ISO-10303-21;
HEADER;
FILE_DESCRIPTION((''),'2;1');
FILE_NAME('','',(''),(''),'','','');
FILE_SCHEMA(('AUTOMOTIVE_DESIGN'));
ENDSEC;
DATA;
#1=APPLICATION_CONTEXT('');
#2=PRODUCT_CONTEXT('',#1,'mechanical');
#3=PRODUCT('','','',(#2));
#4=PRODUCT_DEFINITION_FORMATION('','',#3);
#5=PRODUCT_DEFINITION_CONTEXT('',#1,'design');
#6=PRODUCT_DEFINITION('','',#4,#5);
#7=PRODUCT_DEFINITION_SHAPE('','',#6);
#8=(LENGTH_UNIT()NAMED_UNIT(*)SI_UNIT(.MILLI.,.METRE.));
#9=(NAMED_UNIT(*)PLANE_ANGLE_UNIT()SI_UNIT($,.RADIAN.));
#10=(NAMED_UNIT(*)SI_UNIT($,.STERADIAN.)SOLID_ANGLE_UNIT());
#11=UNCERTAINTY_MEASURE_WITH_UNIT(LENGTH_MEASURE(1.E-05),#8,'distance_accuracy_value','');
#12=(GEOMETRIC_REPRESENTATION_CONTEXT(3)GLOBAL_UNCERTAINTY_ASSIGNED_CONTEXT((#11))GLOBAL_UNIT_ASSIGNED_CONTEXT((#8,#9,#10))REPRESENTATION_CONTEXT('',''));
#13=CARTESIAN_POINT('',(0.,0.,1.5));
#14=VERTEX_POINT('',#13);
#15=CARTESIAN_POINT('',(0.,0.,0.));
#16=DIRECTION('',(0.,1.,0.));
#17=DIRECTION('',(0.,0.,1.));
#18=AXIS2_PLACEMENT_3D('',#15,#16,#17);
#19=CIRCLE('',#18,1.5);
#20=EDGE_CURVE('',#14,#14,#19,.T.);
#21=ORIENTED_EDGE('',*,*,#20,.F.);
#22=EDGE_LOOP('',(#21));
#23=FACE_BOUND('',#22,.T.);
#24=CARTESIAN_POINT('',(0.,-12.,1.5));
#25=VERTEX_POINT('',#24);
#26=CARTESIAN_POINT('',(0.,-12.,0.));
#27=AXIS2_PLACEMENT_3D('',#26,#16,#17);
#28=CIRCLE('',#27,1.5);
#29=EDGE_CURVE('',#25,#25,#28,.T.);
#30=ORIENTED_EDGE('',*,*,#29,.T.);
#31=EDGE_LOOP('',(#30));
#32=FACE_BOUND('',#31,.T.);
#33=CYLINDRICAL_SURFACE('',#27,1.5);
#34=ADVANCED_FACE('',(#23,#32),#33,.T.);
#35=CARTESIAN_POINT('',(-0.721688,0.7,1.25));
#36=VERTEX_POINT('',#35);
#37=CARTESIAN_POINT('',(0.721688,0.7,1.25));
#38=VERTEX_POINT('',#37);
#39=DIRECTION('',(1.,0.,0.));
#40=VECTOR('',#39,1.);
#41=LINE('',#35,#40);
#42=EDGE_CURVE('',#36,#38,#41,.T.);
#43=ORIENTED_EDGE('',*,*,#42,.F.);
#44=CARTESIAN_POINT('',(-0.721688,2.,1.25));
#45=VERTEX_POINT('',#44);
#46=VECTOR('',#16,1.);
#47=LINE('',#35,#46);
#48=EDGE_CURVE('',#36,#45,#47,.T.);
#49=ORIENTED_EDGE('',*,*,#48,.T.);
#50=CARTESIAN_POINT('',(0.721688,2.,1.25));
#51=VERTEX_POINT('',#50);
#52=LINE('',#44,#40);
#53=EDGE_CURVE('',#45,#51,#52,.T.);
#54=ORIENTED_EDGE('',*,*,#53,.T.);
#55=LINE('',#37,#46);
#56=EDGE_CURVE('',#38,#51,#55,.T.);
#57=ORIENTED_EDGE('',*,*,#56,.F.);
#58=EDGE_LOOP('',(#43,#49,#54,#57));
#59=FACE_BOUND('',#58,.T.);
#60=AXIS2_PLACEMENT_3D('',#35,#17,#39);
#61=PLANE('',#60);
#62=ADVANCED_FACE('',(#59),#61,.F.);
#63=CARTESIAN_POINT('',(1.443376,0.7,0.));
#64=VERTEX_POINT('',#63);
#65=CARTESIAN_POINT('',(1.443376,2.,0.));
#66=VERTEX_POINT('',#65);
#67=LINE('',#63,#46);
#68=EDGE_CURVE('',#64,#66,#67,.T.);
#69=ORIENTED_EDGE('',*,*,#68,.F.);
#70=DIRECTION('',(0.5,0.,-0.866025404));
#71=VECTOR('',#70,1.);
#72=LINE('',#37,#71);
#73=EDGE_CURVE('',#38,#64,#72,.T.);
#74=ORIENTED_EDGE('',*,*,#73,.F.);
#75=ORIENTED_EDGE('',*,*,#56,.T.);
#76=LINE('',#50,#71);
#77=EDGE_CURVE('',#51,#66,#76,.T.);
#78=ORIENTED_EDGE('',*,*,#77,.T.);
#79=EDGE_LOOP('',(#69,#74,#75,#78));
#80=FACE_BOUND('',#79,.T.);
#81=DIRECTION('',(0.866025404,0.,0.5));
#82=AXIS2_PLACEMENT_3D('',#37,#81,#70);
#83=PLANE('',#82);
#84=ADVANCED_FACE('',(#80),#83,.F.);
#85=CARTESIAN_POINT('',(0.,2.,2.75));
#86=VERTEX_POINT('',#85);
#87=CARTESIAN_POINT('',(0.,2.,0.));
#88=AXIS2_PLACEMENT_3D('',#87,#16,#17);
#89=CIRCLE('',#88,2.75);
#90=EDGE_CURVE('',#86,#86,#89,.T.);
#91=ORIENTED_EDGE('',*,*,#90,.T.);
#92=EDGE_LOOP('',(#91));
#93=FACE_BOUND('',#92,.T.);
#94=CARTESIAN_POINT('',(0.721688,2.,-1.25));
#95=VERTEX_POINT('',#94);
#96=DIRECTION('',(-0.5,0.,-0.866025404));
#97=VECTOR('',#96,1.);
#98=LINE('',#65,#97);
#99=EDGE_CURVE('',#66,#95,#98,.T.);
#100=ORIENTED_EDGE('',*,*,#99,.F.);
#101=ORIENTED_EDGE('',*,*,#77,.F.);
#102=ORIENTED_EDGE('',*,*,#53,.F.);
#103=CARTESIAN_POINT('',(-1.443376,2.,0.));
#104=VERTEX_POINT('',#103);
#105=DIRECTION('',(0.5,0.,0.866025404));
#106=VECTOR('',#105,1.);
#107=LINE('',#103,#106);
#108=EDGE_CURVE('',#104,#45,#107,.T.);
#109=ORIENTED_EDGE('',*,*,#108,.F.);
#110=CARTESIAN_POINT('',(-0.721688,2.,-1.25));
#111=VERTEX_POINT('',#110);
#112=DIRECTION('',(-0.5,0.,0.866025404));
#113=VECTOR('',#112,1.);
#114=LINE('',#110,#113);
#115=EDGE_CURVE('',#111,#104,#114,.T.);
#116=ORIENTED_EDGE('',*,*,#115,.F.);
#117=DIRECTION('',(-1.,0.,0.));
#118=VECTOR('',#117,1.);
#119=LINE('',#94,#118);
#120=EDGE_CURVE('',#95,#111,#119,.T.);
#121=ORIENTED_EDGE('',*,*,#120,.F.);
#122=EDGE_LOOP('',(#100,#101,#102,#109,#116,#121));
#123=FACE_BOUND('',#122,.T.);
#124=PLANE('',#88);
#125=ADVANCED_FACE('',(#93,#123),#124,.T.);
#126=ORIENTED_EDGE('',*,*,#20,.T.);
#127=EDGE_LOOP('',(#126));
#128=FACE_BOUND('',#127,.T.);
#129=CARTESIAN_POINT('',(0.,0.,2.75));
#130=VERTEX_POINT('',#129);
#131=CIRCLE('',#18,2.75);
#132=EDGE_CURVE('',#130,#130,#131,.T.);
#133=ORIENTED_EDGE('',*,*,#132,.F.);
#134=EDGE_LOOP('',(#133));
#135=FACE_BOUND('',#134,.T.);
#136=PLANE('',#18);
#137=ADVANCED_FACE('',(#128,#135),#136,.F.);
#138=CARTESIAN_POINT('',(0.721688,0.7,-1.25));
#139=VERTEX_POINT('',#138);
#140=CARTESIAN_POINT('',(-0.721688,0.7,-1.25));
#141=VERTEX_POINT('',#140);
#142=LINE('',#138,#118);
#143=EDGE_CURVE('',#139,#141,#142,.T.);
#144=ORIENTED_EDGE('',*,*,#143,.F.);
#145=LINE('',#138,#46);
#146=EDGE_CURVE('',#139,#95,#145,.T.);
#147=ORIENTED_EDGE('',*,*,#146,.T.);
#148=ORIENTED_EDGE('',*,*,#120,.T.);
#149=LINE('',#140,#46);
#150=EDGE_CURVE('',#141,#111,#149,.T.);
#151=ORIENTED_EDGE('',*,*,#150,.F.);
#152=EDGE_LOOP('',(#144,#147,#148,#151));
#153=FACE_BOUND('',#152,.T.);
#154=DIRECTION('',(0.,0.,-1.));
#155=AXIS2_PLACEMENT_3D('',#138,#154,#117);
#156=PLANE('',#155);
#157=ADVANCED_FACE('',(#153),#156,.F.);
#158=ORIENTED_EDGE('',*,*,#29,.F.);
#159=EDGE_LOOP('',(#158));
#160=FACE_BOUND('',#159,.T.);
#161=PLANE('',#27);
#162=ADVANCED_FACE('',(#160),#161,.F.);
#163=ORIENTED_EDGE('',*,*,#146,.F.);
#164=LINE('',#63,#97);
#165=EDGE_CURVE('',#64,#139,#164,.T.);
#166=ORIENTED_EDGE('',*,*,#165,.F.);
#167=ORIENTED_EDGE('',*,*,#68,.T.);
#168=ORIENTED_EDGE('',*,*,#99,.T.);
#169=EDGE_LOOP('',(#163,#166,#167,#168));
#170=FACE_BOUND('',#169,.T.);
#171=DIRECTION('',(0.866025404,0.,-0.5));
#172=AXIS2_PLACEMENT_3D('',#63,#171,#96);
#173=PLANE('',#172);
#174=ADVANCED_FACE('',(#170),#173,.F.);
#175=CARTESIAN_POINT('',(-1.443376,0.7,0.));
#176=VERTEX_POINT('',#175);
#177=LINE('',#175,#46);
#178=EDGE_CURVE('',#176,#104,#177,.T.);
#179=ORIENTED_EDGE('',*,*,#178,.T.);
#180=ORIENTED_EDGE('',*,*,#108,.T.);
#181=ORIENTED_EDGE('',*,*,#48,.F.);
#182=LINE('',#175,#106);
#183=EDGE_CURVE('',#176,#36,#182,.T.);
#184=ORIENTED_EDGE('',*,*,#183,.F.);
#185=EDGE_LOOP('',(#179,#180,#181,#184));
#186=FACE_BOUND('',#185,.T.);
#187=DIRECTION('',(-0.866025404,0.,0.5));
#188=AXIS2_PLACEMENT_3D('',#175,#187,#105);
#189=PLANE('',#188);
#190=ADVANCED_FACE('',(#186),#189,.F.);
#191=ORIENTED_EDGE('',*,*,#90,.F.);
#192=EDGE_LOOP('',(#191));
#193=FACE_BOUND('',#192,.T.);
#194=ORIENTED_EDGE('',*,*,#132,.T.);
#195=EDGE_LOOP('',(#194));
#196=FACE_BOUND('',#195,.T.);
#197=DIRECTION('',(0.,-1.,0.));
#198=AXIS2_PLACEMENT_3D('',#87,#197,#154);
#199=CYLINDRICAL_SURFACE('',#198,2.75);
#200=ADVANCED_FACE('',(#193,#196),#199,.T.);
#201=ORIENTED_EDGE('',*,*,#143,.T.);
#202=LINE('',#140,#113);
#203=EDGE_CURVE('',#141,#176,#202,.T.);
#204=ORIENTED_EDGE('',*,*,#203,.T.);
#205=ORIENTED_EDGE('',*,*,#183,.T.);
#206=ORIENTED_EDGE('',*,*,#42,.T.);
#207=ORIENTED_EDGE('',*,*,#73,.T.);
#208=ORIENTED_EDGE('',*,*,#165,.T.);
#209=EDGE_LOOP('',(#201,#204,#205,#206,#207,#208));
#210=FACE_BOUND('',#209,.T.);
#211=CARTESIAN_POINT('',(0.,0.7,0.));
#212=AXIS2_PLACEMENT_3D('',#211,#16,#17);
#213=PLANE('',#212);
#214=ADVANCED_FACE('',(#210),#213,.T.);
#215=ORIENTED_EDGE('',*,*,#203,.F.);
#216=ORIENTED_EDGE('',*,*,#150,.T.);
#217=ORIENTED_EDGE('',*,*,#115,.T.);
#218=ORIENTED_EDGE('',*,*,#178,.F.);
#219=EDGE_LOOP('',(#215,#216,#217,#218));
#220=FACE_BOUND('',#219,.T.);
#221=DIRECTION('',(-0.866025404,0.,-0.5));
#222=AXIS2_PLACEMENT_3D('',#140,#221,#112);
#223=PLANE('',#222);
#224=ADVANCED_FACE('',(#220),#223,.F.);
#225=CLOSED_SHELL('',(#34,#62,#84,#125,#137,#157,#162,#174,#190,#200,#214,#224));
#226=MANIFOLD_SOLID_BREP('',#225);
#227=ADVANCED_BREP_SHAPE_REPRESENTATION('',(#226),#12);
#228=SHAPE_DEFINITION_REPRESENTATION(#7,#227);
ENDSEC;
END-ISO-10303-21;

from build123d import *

# Parameters (mm, degrees)
SKETCH_1_R          = 2.75
EXTRUDE_397_DEPTH   = 2
SKETCH_1_3_R        = 1.5
EXTRUDE_432_DEPTH   = 12
CUT_EXTRUDE_1_DEPTH = 1.3


with BuildPart() as part:
    # 草图1 → Extrude 397 (new body)
    with BuildSketch(Plane(origin=(0, 0, 0), x_dir=(1, 0, 0), z_dir=(0, 1, 0))):
        Circle(SKETCH_1_R)
    extrude(amount=EXTRUDE_397_DEPTH)

    # 草图1<3> → Extrude 432 (add)
    with BuildSketch(Plane(origin=(0, 0, 0), x_dir=(1, 0, 0), z_dir=(0, 1, 0))):
        Circle(SKETCH_1_3_R)
    extrude(amount=-EXTRUDE_432_DEPTH)

    # 草图2 → 切除-拉伸1 (cut)
    with BuildSketch(Plane(origin=(0, 2, 0), x_dir=(1, 0, 0), z_dir=(0, 1, 0))):
        Polygon((1.443375673, 0), (0.721687836, 1.25), (-0.721687836, 1.25), (-1.443375673, 0), (-0.721687836, -1.25), (0.721687836, -1.25), align=None)
    extrude(amount=-CUT_EXTRUDE_1_DEPTH, mode=Mode.SUBTRACT)


solid = part.part
